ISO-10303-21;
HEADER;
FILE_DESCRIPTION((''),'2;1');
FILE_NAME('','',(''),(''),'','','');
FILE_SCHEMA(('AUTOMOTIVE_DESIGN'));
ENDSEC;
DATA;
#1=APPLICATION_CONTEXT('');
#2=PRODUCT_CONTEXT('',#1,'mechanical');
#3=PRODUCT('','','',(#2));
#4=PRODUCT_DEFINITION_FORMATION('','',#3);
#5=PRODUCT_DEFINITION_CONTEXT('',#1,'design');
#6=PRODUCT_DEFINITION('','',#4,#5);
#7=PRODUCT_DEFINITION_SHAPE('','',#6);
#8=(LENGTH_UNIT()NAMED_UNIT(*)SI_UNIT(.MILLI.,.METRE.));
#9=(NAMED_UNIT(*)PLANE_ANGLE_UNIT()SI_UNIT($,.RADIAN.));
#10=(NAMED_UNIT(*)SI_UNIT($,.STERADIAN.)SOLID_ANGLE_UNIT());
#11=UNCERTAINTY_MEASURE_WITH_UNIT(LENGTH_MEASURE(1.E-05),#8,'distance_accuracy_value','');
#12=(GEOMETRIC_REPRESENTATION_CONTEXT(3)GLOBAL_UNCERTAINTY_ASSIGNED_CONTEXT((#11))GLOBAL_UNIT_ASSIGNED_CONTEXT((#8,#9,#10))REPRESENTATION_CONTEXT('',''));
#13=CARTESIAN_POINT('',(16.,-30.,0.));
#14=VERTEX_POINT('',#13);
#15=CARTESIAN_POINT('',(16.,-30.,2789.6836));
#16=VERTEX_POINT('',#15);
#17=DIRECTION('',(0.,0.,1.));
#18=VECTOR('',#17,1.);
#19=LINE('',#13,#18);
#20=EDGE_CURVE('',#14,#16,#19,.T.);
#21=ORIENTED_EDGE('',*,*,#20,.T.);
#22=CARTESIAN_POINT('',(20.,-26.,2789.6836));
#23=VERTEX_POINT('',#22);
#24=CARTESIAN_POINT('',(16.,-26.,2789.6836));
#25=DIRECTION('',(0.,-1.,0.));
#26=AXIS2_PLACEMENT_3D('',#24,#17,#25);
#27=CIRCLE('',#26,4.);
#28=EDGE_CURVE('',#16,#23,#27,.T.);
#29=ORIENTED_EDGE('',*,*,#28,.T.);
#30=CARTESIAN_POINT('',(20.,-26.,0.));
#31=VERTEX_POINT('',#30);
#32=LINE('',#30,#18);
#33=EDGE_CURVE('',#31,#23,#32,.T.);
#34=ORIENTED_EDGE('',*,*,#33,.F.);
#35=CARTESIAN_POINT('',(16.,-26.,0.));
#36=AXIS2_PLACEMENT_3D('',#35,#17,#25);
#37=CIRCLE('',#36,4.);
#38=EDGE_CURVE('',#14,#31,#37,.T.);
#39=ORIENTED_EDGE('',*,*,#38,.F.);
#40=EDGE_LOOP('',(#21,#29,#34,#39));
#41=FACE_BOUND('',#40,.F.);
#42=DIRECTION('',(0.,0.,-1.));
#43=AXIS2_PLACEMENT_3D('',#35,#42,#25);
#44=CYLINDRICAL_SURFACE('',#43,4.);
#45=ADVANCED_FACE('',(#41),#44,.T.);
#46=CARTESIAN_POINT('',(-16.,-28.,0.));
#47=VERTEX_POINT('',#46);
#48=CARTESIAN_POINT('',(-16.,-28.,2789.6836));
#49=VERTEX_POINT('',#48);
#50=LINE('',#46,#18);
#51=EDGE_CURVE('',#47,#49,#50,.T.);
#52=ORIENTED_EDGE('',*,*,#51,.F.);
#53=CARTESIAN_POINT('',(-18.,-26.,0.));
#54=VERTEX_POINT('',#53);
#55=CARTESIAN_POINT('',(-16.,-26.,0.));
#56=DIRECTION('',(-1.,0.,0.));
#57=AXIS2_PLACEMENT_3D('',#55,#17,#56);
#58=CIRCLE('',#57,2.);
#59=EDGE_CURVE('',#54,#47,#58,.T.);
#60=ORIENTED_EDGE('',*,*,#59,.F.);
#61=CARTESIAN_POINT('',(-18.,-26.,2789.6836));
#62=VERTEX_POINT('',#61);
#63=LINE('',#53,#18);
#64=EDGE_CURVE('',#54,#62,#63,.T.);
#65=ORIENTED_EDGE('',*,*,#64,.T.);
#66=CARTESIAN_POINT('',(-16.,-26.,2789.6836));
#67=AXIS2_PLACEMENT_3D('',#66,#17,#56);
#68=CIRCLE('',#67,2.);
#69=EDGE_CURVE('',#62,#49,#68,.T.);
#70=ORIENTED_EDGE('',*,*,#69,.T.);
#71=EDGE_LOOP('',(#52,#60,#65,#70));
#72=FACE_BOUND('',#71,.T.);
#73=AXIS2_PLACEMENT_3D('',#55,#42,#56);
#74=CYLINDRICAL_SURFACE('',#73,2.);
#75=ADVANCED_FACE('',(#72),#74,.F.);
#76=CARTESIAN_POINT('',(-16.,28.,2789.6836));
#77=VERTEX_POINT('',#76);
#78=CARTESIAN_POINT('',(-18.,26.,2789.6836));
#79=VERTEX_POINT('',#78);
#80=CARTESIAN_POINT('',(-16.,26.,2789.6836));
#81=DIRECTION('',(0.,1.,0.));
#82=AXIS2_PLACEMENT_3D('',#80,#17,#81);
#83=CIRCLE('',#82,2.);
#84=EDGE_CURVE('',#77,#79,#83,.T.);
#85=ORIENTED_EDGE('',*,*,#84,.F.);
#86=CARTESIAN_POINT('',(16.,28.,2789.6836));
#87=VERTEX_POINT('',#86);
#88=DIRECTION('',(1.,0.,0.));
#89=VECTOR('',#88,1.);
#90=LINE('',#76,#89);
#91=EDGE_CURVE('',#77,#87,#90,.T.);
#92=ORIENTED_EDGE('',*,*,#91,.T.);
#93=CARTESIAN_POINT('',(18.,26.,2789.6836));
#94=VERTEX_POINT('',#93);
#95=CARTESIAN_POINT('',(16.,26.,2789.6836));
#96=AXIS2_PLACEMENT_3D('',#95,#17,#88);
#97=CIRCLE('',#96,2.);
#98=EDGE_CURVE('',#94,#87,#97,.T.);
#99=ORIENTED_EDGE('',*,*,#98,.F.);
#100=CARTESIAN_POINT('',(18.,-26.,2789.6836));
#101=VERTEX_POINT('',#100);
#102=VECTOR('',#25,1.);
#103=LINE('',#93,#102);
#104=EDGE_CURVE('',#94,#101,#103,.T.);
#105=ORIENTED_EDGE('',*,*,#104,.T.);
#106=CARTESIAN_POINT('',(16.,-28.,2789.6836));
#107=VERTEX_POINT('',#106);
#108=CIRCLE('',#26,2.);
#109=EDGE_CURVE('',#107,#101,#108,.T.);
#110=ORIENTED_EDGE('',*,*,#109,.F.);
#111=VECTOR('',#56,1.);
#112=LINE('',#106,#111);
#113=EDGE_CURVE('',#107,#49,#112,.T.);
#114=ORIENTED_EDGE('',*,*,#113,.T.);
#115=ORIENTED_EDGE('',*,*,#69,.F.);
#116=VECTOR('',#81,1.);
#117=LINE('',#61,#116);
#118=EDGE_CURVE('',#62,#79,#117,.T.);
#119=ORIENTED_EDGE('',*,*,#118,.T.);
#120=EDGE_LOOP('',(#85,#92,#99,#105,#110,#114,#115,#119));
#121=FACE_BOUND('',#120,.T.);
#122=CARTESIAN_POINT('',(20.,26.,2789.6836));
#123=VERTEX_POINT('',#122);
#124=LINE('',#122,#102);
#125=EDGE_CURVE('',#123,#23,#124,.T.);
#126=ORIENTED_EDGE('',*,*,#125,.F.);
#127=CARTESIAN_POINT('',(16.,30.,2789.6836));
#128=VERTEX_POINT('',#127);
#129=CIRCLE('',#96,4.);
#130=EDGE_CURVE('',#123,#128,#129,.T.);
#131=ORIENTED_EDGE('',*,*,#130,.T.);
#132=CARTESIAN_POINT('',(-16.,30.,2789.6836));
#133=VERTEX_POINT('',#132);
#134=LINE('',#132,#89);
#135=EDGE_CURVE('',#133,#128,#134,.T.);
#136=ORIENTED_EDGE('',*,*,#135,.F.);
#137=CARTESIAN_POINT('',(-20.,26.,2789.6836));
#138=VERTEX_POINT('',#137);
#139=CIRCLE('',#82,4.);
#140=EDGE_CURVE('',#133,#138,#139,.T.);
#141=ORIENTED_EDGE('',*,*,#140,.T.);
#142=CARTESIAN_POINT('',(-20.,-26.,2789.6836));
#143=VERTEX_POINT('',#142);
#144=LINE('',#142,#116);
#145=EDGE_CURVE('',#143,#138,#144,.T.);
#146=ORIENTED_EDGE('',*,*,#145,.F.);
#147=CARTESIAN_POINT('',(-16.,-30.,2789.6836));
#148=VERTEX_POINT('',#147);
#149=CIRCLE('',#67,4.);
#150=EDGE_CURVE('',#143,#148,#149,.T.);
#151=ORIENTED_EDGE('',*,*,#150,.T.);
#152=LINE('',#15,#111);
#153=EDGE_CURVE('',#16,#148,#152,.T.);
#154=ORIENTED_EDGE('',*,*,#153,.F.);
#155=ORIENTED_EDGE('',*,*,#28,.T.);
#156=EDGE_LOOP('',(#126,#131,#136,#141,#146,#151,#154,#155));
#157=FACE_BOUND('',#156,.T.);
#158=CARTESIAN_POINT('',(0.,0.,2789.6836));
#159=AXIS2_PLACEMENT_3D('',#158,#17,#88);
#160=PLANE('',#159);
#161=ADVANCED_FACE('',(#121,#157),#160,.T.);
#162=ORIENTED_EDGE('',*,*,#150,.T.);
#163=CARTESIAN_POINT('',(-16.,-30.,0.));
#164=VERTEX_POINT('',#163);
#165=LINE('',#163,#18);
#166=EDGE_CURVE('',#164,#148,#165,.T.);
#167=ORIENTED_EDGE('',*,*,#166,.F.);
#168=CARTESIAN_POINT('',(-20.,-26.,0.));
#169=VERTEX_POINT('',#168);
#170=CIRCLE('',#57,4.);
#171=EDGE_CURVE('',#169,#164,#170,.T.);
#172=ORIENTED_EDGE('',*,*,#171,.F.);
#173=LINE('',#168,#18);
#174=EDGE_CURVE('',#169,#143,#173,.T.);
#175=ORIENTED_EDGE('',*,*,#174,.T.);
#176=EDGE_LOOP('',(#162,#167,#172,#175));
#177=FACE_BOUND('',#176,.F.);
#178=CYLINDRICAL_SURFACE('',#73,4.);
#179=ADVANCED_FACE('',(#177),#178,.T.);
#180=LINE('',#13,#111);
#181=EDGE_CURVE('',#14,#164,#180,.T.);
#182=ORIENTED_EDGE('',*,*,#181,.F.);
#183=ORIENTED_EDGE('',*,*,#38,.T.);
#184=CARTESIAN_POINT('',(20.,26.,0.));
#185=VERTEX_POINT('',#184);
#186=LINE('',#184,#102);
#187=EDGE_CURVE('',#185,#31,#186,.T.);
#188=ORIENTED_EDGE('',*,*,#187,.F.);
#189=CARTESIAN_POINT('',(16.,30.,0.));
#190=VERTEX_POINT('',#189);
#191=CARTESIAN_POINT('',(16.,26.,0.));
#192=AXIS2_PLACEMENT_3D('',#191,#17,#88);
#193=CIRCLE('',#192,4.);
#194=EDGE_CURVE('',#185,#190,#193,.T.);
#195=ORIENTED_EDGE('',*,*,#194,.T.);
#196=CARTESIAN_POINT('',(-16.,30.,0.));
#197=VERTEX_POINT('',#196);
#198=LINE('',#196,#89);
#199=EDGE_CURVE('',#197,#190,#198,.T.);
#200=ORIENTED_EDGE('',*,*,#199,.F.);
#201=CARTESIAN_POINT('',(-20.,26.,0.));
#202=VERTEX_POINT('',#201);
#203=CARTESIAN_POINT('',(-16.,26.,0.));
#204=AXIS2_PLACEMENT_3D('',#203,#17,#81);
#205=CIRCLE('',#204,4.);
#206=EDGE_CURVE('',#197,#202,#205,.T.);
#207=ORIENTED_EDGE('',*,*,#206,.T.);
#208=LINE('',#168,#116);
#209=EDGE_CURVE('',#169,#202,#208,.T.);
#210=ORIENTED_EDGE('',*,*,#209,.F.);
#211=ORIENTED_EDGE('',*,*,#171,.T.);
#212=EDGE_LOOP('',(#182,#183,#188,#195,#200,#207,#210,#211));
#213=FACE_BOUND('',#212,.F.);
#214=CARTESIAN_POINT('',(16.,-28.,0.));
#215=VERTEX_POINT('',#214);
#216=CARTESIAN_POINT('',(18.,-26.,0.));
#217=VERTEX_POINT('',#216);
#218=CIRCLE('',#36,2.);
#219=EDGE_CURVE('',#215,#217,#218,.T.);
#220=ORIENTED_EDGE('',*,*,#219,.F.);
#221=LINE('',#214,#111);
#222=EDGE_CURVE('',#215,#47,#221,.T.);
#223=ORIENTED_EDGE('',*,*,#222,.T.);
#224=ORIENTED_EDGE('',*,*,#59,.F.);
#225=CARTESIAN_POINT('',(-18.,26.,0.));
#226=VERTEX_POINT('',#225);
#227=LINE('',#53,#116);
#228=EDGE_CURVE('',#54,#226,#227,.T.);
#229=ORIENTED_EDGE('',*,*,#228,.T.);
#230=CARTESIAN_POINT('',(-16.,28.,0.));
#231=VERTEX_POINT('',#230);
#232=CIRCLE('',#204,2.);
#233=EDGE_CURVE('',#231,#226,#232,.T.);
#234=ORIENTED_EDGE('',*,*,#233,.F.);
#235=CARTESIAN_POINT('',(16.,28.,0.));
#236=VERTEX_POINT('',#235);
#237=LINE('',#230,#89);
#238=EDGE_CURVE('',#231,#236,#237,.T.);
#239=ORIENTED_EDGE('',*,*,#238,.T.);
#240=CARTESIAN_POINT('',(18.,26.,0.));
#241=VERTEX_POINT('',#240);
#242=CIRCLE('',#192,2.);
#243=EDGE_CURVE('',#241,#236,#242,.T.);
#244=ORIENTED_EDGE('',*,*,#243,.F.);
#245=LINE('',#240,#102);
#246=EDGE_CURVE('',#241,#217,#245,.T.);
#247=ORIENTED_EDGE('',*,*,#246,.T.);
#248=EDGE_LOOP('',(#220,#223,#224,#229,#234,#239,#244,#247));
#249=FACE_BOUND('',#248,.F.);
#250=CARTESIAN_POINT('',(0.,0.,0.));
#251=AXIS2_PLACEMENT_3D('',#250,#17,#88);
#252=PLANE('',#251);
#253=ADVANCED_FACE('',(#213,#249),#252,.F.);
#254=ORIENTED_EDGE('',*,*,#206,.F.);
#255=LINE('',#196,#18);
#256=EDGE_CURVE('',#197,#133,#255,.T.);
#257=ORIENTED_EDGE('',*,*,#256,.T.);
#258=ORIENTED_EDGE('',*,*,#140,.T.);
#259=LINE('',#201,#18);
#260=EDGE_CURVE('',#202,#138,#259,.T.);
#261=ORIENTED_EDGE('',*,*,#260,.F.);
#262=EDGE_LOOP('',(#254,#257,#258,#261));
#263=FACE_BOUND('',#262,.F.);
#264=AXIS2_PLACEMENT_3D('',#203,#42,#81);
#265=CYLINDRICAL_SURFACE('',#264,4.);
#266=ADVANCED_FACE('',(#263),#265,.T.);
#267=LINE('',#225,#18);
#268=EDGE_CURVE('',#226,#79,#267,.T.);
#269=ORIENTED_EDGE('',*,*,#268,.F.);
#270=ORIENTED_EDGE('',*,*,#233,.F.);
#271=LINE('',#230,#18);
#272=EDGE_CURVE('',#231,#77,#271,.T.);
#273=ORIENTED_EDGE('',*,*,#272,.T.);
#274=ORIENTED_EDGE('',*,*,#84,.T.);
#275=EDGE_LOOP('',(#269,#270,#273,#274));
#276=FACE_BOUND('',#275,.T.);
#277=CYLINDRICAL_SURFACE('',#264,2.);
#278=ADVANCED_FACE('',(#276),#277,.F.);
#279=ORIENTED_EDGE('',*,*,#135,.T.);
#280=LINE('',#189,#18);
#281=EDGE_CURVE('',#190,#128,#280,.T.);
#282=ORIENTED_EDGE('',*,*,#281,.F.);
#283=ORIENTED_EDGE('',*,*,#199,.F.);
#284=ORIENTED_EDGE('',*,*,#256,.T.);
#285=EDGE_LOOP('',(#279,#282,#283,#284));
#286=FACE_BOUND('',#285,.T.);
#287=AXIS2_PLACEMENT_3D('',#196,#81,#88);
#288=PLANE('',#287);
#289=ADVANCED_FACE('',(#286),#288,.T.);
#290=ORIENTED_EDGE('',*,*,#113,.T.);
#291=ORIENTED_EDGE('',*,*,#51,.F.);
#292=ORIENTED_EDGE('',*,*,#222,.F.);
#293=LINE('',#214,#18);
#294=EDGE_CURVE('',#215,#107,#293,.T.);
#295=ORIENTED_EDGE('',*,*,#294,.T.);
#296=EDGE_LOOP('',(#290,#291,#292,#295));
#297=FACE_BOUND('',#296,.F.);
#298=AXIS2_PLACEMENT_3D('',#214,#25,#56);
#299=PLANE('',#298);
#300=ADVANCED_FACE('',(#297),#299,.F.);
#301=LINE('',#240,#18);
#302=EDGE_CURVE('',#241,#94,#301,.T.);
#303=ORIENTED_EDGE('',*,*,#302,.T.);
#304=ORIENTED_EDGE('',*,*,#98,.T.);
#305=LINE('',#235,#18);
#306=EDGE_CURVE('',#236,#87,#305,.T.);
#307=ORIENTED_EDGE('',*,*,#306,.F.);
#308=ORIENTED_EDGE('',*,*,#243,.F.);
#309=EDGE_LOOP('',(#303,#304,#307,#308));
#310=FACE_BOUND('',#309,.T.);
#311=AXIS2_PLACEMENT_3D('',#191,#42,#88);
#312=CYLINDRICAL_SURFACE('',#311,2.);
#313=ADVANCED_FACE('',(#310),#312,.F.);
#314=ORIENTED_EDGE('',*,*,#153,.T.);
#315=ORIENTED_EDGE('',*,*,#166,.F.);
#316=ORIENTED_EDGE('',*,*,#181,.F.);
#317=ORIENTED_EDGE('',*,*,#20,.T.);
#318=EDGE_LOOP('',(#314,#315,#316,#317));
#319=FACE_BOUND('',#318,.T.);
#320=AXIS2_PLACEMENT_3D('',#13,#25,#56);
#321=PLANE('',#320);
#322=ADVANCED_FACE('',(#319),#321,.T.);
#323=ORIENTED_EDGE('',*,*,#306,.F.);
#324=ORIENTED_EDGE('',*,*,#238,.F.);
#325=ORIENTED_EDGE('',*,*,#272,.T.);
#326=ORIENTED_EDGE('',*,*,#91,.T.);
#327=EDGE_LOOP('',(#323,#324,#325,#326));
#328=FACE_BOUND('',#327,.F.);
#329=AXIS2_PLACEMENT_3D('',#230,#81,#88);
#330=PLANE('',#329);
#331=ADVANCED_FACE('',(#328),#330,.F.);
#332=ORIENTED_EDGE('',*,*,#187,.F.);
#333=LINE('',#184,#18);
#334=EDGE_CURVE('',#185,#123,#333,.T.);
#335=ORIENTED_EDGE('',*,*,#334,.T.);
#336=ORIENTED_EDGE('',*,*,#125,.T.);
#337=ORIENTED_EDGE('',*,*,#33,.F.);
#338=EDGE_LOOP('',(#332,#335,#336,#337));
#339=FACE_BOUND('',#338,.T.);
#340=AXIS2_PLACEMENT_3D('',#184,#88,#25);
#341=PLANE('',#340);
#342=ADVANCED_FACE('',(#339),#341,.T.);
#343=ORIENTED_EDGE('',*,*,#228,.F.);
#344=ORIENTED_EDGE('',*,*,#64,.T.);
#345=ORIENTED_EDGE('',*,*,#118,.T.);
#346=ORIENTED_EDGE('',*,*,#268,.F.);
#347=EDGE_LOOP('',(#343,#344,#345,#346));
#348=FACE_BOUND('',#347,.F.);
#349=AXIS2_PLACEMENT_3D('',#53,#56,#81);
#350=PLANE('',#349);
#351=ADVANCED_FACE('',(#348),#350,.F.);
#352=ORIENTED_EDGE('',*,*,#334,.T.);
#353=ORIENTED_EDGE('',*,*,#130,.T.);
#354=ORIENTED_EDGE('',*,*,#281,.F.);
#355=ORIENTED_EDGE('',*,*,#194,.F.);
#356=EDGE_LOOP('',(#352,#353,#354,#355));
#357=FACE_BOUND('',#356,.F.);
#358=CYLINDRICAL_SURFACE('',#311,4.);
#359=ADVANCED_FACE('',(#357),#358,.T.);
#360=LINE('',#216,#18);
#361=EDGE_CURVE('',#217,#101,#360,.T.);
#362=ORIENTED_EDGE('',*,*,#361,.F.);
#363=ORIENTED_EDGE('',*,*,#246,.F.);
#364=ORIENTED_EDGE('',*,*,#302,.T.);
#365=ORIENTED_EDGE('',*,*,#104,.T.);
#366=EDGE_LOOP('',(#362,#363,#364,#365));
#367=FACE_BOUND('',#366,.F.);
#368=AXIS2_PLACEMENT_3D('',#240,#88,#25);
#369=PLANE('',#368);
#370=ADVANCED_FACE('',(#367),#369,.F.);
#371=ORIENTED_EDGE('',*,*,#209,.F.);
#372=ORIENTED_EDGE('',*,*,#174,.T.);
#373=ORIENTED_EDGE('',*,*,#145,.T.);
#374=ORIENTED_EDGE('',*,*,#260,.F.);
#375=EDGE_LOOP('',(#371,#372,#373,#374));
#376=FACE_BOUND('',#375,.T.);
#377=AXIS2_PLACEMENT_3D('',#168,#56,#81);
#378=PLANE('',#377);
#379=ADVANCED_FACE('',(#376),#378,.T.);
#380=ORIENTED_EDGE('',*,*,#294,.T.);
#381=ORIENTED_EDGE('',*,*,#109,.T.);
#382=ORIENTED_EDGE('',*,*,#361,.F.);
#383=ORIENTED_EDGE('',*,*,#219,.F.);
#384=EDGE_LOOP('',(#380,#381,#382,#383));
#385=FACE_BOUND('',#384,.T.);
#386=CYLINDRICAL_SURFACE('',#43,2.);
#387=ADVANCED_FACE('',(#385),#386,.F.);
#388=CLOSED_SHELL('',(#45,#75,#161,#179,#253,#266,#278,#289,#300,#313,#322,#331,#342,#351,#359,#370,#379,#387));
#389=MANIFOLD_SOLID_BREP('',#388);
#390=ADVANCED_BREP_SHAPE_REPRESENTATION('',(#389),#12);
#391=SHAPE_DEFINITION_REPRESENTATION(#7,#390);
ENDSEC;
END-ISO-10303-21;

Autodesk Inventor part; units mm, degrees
ref_plane "YZ Plane" through (0, 0, 0) normal (1, 0, 0) x (0, 1, 0)
ref_plane "Start Plane" through (0, 0, 0) normal (0, 0, 1) x (1, 0, 0)
ref_plane "End Plane" through (0, 0, 2789.6836) normal (0, 0, 1) x (1, 0, 0)
sketch "Sketch" plane through (0, 0, 0) normal (0, 0, 1) x (1, 0, 0)
  line L0 (-20, -26) -> (-20, 26)
  line L1 (-16, 30) -> (16, 30)
  line L2 (20, 26) -> (20, -26)
  line L3 (16, -30) -> (-16, -30)
  arc A0 (-20, -26) -> (-16, -30) centre (-16, -26) ccw
  arc A1 (20, 26) -> (16, 30) centre (16, 26) ccw
  arc A2 (-16, 30) -> (-20, 26) centre (-16, 26) ccw
  arc A3 (16, -30) -> (20, -26) centre (16, -26) ccw
  arc A4 (-16, 28) -> (-18, 26) centre (-16, 26) ccw
  line L4 (-16, 28) -> (16, 28)
  arc A5 (18, 26) -> (16, 28) centre (16, 26) ccw
  line L5 (18, 26) -> (18, -26)
  arc A6 (16, -28) -> (18, -26) centre (16, -26) ccw
  line L6 (16, -28) -> (-16, -28)
  arc A7 (-18, -26) -> (-16, -28) centre (-16, -26) ccw
  line L7 (-18, -26) -> (-18, 26)
  line L8 (0, 43.1598) -> (0, -43.1598) construction
  line L9 (-29.1598, 0) -> (29.1598, 0) construction
  dimension "d7" = 4
  dimension "d9" = 40
  dimension "d11" = 60
  dimension "d12" = 2
  dimension "d15" = 20
  dimension "d16" = 30
extrude "Body" add sketch "Sketch" along normal up to surface (2789.6836 mm away) from surface at 0
sketch "Sketch3" plane through (0, 0, 0) normal (0, 0, 1) x (1, 0, 0)
  line L0 (0, 0) -> (10, 0)
ref_plane "Work Plane3" through (0, 0, 0) normal (0, -1, 0) x (1, 0, 0)
sketch "Sketch4" plane through (0, 0, 0) normal (0, -1, 0) x (1, 0, 0)
  line L0 (-2, 0) -> (12, 0) projected
  line L1 (-2, 2789.6836) -> (12, 2789.6836) projected
  dimension "d18" = 2789.6836
equation "\"d7\" = G_IR"
equation "\"d9\" = G_W"
equation "\"d11\" = G_H"
equation "\"d12\" = G_T"
equation "\"d15\" = 0.5 * d9"
equation "\"d16\" = 0.5 * d11"
equation "\"d3\" = G_L"
equation "\"G_W\" = 40"
equation "\"G_H\" = 60"
equation "\"G_T\" = 2"
equation "\"G_IR\" = 4"
equation "\"G_L\" = d18"
equation "\"G_OFFSET_START\" = 0"
equation "\"G_OFFSET_END\" = 0"
equation "\"d14\" = G_OFFSET_END + B_L"
equation "\"B_L\" = 2789.68358"
properties part number "ISO 10799-2 - 60x40x2 - 2789,68" material "Steel, Mild"
